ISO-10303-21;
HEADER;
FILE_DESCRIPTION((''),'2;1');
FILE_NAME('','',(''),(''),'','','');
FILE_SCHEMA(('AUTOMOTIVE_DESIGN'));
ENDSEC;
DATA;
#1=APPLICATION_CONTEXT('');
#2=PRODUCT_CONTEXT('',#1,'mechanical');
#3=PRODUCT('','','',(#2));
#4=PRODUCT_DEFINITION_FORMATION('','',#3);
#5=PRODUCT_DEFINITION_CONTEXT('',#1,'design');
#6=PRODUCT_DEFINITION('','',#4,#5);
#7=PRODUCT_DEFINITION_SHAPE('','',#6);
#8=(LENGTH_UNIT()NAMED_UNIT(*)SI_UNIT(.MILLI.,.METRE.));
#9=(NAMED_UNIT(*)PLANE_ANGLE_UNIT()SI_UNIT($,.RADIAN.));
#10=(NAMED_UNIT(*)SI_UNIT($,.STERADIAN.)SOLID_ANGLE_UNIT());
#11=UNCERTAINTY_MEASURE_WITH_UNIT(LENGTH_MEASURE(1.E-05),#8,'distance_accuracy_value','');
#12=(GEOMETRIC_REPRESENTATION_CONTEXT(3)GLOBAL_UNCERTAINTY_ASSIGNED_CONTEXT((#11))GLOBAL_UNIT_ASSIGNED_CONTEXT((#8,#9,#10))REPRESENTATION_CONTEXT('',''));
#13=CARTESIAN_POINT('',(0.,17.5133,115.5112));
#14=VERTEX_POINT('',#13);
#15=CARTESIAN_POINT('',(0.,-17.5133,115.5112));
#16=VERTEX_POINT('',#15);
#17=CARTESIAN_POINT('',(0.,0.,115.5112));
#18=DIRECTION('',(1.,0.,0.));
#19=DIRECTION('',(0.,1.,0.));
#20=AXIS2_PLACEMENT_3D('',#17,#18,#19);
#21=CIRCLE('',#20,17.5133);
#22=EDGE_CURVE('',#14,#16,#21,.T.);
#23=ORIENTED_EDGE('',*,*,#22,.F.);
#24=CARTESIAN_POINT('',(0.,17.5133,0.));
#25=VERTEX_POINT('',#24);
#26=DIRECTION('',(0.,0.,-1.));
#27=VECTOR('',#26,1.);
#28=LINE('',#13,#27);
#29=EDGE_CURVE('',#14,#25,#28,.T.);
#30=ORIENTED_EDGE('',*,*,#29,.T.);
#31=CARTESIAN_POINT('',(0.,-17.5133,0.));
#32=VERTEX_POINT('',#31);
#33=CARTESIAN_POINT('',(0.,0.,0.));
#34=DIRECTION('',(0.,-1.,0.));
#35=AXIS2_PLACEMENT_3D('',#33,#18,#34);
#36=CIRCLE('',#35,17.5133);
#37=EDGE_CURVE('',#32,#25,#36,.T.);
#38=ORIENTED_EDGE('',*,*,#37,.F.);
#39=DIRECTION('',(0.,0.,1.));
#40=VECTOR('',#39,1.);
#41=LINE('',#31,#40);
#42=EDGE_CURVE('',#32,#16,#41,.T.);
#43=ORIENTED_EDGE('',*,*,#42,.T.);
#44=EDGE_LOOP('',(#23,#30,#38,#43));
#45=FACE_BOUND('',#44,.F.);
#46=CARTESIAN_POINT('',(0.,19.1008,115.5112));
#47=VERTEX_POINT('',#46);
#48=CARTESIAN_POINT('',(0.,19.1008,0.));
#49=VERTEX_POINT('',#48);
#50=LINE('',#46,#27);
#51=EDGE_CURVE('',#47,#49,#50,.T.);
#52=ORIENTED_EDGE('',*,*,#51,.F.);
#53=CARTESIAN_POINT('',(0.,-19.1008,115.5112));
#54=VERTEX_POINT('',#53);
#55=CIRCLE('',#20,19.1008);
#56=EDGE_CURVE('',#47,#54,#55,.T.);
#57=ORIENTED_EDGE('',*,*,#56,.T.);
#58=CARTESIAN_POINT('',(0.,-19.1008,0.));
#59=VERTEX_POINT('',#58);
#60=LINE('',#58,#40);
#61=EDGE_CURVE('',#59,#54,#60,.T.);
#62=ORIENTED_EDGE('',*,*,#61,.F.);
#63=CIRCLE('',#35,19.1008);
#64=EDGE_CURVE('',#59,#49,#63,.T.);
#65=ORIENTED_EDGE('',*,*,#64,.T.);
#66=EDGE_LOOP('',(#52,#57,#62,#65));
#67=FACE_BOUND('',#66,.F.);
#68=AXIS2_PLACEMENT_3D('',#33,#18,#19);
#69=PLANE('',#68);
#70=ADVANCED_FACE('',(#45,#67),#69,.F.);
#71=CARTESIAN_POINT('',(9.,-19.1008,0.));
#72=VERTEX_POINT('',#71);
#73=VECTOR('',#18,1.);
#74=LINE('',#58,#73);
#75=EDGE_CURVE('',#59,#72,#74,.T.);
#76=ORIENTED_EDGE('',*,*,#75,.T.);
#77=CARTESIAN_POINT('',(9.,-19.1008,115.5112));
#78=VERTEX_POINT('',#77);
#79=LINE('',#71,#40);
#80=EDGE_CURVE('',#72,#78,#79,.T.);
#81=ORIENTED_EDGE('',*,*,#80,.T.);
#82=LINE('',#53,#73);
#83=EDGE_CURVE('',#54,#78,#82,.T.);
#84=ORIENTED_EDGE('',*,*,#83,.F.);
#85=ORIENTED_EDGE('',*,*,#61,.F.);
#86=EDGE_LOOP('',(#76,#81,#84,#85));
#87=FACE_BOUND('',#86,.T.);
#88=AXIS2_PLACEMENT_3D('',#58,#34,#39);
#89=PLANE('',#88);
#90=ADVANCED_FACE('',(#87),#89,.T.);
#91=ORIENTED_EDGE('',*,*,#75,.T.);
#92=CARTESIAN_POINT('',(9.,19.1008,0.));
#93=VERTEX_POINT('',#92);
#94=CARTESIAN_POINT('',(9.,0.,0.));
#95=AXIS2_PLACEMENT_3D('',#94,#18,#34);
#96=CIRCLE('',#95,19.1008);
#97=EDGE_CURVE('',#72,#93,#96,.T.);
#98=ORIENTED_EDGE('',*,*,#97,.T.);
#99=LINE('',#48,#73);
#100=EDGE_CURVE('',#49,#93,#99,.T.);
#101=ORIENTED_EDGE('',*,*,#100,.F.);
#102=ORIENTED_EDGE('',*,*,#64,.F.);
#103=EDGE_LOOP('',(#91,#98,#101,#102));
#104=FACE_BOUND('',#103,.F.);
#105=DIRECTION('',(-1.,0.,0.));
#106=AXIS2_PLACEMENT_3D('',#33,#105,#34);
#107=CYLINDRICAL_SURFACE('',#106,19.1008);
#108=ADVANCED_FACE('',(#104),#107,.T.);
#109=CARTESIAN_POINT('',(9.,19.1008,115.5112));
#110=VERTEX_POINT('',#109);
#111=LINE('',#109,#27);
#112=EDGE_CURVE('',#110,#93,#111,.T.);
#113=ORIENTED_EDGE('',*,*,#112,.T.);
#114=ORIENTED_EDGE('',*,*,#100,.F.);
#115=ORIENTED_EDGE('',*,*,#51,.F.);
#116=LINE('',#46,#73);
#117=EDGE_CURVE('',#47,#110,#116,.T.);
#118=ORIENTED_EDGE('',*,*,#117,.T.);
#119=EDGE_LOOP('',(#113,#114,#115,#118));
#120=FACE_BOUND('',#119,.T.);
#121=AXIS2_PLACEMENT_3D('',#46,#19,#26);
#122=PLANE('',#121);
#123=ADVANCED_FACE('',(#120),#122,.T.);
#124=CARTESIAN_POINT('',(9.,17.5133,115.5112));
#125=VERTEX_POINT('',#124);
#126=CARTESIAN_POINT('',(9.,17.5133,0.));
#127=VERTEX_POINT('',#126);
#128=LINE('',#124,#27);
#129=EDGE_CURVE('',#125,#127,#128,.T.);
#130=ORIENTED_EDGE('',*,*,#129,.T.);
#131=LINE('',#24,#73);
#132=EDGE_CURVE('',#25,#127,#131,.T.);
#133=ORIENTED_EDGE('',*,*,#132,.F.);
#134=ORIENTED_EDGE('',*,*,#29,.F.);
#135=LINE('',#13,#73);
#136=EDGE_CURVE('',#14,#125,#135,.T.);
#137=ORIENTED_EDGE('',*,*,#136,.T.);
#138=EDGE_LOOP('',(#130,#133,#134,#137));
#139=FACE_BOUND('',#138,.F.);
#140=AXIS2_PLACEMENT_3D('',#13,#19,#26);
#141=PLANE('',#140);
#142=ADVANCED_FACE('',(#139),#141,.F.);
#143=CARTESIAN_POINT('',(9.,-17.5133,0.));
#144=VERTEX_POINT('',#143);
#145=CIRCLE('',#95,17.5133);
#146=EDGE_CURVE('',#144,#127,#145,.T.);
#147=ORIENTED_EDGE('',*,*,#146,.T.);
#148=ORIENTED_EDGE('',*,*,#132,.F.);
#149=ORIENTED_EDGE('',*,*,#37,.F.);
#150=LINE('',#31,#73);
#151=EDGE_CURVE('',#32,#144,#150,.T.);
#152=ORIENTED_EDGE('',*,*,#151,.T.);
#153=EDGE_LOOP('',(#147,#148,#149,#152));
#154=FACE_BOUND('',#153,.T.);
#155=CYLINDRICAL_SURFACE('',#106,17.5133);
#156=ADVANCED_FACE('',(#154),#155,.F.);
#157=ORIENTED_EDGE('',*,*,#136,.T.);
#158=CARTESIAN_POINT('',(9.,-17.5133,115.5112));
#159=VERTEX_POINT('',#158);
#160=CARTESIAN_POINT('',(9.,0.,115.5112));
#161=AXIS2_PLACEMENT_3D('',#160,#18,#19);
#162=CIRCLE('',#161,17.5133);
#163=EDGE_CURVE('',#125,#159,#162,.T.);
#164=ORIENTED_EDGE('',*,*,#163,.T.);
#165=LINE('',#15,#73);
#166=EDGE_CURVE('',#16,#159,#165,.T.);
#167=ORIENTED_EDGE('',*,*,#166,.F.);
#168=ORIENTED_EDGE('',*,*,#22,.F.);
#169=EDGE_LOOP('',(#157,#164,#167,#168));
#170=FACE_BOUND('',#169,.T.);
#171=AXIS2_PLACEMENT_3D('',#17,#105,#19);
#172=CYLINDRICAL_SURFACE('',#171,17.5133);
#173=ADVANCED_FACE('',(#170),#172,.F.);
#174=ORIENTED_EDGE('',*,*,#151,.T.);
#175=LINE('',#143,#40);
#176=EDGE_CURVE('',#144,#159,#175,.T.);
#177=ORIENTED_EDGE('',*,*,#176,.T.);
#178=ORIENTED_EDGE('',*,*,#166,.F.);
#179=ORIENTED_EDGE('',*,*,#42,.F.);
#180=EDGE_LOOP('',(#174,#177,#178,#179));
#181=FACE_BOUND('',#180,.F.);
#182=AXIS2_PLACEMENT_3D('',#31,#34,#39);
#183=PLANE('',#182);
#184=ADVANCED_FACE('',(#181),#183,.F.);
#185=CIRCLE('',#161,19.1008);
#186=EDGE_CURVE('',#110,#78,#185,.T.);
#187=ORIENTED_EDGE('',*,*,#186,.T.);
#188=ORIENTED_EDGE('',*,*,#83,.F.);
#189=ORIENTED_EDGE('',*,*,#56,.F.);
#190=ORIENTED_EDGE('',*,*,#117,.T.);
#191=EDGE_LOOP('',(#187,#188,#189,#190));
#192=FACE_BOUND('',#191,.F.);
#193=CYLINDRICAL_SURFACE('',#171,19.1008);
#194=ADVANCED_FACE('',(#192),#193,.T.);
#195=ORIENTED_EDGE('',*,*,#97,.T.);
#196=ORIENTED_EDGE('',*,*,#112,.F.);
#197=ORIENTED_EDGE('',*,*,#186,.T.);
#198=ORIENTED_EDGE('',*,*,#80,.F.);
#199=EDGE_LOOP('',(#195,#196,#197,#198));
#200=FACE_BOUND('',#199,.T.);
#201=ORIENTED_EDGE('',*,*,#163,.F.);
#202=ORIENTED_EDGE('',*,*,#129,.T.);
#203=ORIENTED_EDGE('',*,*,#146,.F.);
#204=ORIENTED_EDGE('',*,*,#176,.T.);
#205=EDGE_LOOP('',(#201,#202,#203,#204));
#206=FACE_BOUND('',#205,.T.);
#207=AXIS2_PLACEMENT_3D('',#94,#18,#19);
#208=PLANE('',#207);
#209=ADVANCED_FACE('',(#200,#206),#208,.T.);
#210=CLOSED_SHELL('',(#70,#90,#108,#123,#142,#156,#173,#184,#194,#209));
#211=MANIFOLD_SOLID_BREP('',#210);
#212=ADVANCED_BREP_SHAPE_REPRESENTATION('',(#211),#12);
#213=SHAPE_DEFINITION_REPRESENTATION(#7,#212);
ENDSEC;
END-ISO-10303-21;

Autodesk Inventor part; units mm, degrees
ref_plane "YZ Plane" through (0, 0, 0) normal (1, 0, 0) x (0, 1, 0)
ref_plane "XZ Plane" through (0, 0, 0) normal (0, 1, 0) x (-1, 0, 0)
ref_plane "XY Plane" through (0, 0, 0) normal (0, 0, 1) x (1, 0, 0)
sketch "Sketch1" plane through (0, 0, 0) normal (1, 0, 0) x (0, 1, 0)
  arc A0 (-19.1008, 0) -> (19.1008, 0) centre (0, 0) ccw
  arc A1 (19.1008, 115.5112) -> (-19.1008, 115.5112) centre (0, 115.5112) ccw
  line L0 (19.1008, 115.5112) -> (19.1008, 0)
  line L1 (-19.1008, 0) -> (-19.1008, 115.5112)
  arc A2 (-17.5133, 0) -> (17.5133, 0) centre (0, 0) ccw
  line L2 (-17.5133, 0) -> (-17.5133, 115.5112)
  arc A3 (17.5133, 115.5112) -> (-17.5133, 115.5112) centre (0, 115.5112) ccw
  line L3 (17.5133, 115.5112) -> (17.5133, 0)
  dimension "d0" = 19.1008
  dimension "d1" = 115.5112
  dimension "d5" = 1.5875
extrude "Extrusion1" add sketch "Sketch1" along normal blind 9
properties part number "STANDIN,BELT,70T,HTD5mm" material "Nylon 6/6"
